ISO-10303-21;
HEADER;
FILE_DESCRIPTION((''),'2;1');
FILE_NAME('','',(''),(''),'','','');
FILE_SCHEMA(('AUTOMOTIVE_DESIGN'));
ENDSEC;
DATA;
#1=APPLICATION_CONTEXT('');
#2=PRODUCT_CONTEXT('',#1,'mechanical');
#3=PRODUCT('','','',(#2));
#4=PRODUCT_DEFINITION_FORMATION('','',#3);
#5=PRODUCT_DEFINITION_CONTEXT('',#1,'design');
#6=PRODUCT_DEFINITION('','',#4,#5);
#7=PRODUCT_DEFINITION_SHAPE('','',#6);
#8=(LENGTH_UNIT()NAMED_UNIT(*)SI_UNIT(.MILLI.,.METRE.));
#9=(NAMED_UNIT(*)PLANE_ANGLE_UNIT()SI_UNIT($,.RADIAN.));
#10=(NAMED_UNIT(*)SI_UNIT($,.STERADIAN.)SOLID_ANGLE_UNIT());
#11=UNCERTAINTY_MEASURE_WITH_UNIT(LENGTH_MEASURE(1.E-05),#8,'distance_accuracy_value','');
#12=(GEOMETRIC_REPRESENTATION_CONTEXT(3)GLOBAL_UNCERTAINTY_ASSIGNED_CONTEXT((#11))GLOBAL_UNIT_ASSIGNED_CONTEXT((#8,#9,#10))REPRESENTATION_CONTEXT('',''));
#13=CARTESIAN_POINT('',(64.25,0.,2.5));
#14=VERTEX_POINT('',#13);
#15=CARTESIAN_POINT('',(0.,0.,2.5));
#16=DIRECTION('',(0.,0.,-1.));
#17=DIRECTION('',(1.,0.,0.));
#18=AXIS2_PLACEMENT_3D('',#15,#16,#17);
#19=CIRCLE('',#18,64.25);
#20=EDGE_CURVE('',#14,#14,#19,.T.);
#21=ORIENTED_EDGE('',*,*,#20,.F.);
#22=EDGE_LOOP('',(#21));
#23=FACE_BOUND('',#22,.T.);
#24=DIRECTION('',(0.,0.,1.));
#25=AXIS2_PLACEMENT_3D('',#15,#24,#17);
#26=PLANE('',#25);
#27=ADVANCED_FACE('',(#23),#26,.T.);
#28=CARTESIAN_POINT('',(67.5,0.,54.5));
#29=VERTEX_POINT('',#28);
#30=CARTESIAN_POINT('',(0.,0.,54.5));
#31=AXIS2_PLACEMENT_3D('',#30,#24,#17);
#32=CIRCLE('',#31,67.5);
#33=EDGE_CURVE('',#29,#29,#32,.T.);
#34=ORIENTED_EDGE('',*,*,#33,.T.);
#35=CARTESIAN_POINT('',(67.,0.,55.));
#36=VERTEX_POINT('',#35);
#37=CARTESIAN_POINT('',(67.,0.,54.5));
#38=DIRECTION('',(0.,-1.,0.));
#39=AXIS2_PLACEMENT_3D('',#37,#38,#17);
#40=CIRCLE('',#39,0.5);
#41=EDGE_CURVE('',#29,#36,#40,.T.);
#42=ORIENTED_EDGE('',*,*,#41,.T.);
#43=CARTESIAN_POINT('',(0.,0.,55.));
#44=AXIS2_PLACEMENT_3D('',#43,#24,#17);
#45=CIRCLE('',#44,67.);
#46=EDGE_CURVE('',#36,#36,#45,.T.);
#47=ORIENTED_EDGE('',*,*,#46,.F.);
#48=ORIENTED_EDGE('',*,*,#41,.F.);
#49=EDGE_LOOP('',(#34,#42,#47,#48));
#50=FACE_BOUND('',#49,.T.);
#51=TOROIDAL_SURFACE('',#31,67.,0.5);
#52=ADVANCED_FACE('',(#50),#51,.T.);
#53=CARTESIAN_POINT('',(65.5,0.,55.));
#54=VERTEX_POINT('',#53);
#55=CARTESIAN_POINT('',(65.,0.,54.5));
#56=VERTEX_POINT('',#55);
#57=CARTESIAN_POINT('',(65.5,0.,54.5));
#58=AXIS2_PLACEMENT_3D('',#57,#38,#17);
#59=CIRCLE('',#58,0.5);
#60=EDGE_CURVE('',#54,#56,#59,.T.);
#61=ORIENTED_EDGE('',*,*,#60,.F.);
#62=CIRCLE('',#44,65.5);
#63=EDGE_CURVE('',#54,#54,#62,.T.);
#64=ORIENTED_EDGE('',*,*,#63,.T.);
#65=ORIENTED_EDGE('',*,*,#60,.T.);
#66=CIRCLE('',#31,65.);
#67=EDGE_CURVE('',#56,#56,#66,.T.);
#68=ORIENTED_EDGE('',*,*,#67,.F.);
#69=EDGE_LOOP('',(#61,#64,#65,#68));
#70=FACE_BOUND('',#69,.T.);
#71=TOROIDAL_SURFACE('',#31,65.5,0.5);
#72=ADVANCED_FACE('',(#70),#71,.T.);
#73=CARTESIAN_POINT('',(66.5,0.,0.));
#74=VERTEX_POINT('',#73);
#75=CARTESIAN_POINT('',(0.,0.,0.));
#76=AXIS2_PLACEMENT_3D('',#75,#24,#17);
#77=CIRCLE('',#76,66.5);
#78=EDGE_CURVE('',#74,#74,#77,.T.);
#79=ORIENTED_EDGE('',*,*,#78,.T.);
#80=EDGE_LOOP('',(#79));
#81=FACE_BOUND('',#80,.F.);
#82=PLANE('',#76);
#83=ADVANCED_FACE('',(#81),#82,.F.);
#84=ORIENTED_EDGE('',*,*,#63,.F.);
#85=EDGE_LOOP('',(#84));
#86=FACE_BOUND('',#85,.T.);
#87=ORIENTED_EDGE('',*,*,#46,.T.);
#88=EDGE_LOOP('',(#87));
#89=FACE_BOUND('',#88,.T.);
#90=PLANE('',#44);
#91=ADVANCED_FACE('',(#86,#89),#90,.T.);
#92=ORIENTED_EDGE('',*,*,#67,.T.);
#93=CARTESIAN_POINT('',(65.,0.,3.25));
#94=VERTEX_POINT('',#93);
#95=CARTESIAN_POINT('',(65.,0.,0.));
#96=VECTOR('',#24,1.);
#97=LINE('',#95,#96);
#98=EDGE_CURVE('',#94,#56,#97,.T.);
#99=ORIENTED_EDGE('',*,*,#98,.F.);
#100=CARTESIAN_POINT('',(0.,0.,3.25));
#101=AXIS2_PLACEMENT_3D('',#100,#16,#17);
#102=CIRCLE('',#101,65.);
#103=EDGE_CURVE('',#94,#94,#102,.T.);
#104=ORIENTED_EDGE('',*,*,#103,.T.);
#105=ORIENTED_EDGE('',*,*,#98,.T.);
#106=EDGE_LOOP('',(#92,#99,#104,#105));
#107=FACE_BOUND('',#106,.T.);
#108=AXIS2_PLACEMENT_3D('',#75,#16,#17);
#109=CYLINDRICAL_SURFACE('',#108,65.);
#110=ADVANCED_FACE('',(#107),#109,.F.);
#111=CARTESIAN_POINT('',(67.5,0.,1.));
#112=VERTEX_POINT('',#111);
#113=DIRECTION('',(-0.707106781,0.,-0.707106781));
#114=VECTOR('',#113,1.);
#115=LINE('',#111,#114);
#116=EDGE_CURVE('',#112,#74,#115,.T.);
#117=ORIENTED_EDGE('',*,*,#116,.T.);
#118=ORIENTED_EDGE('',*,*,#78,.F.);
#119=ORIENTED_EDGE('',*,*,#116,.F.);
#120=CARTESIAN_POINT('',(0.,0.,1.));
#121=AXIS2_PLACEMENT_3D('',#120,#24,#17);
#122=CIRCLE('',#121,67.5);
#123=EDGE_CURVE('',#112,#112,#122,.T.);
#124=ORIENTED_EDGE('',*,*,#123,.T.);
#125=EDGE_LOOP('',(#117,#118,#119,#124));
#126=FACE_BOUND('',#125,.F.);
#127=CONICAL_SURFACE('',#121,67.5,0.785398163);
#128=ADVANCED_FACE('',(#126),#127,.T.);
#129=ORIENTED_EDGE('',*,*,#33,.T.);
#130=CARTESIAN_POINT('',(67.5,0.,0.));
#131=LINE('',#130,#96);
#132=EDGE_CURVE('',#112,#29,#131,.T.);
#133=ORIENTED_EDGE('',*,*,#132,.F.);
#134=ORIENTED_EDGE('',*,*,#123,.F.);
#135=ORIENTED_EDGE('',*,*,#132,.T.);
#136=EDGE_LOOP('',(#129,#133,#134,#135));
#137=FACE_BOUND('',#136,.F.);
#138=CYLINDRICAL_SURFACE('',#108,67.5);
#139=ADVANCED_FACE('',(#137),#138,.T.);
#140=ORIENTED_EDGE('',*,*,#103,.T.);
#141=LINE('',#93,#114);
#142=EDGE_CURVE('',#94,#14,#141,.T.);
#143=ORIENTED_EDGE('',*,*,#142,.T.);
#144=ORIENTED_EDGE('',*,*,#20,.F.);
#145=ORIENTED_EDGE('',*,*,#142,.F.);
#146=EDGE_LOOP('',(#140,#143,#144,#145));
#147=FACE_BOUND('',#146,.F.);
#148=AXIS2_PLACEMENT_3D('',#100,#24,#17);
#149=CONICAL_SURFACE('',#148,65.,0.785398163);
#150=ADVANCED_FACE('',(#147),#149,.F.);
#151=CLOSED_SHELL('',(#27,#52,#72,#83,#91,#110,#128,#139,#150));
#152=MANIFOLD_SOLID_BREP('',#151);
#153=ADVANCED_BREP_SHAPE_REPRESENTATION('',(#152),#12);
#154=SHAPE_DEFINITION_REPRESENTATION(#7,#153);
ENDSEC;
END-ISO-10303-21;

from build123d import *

# Parameters (mm, degrees)
F0_R     = 67.5
F1_DEPTH = 55
F2_T     = -2.5
F3_R     = 0.5
F4_SIZE  = 1
F5_SIZE  = 0.75


with BuildPart() as f1:
    # F0 (on Top) → F1 (new body)
    with BuildSketch(Plane.XY):
        Circle(F0_R)
    extrude(amount=F1_DEPTH)

    # F2
    f2_openings = [f1.faces().sort_by_distance(p)[0] for p in [
        (0, 0, 55),
    ]]
    offset(amount=F2_T, openings=f2_openings)

    # F3
    f3_edges = [f1.edges().sort_by_distance(p)[0] for p in [
        (-67.5, 0, 55),
        (-65, 0, 55),
    ]]
    fillet(f3_edges, radius=F3_R)

    # F4
    f4_edges = [f1.edges().sort_by_distance(p)[0] for p in [
        (-67.5, 0, 0),
    ]]
    chamfer(f4_edges, length=F4_SIZE)

    # F5
    f5_edges = [f1.edges().sort_by_distance(p)[0] for p in [
        (-65, 0, 2.5),
    ]]
    chamfer(f5_edges, length=F5_SIZE)


solid = f1.part
